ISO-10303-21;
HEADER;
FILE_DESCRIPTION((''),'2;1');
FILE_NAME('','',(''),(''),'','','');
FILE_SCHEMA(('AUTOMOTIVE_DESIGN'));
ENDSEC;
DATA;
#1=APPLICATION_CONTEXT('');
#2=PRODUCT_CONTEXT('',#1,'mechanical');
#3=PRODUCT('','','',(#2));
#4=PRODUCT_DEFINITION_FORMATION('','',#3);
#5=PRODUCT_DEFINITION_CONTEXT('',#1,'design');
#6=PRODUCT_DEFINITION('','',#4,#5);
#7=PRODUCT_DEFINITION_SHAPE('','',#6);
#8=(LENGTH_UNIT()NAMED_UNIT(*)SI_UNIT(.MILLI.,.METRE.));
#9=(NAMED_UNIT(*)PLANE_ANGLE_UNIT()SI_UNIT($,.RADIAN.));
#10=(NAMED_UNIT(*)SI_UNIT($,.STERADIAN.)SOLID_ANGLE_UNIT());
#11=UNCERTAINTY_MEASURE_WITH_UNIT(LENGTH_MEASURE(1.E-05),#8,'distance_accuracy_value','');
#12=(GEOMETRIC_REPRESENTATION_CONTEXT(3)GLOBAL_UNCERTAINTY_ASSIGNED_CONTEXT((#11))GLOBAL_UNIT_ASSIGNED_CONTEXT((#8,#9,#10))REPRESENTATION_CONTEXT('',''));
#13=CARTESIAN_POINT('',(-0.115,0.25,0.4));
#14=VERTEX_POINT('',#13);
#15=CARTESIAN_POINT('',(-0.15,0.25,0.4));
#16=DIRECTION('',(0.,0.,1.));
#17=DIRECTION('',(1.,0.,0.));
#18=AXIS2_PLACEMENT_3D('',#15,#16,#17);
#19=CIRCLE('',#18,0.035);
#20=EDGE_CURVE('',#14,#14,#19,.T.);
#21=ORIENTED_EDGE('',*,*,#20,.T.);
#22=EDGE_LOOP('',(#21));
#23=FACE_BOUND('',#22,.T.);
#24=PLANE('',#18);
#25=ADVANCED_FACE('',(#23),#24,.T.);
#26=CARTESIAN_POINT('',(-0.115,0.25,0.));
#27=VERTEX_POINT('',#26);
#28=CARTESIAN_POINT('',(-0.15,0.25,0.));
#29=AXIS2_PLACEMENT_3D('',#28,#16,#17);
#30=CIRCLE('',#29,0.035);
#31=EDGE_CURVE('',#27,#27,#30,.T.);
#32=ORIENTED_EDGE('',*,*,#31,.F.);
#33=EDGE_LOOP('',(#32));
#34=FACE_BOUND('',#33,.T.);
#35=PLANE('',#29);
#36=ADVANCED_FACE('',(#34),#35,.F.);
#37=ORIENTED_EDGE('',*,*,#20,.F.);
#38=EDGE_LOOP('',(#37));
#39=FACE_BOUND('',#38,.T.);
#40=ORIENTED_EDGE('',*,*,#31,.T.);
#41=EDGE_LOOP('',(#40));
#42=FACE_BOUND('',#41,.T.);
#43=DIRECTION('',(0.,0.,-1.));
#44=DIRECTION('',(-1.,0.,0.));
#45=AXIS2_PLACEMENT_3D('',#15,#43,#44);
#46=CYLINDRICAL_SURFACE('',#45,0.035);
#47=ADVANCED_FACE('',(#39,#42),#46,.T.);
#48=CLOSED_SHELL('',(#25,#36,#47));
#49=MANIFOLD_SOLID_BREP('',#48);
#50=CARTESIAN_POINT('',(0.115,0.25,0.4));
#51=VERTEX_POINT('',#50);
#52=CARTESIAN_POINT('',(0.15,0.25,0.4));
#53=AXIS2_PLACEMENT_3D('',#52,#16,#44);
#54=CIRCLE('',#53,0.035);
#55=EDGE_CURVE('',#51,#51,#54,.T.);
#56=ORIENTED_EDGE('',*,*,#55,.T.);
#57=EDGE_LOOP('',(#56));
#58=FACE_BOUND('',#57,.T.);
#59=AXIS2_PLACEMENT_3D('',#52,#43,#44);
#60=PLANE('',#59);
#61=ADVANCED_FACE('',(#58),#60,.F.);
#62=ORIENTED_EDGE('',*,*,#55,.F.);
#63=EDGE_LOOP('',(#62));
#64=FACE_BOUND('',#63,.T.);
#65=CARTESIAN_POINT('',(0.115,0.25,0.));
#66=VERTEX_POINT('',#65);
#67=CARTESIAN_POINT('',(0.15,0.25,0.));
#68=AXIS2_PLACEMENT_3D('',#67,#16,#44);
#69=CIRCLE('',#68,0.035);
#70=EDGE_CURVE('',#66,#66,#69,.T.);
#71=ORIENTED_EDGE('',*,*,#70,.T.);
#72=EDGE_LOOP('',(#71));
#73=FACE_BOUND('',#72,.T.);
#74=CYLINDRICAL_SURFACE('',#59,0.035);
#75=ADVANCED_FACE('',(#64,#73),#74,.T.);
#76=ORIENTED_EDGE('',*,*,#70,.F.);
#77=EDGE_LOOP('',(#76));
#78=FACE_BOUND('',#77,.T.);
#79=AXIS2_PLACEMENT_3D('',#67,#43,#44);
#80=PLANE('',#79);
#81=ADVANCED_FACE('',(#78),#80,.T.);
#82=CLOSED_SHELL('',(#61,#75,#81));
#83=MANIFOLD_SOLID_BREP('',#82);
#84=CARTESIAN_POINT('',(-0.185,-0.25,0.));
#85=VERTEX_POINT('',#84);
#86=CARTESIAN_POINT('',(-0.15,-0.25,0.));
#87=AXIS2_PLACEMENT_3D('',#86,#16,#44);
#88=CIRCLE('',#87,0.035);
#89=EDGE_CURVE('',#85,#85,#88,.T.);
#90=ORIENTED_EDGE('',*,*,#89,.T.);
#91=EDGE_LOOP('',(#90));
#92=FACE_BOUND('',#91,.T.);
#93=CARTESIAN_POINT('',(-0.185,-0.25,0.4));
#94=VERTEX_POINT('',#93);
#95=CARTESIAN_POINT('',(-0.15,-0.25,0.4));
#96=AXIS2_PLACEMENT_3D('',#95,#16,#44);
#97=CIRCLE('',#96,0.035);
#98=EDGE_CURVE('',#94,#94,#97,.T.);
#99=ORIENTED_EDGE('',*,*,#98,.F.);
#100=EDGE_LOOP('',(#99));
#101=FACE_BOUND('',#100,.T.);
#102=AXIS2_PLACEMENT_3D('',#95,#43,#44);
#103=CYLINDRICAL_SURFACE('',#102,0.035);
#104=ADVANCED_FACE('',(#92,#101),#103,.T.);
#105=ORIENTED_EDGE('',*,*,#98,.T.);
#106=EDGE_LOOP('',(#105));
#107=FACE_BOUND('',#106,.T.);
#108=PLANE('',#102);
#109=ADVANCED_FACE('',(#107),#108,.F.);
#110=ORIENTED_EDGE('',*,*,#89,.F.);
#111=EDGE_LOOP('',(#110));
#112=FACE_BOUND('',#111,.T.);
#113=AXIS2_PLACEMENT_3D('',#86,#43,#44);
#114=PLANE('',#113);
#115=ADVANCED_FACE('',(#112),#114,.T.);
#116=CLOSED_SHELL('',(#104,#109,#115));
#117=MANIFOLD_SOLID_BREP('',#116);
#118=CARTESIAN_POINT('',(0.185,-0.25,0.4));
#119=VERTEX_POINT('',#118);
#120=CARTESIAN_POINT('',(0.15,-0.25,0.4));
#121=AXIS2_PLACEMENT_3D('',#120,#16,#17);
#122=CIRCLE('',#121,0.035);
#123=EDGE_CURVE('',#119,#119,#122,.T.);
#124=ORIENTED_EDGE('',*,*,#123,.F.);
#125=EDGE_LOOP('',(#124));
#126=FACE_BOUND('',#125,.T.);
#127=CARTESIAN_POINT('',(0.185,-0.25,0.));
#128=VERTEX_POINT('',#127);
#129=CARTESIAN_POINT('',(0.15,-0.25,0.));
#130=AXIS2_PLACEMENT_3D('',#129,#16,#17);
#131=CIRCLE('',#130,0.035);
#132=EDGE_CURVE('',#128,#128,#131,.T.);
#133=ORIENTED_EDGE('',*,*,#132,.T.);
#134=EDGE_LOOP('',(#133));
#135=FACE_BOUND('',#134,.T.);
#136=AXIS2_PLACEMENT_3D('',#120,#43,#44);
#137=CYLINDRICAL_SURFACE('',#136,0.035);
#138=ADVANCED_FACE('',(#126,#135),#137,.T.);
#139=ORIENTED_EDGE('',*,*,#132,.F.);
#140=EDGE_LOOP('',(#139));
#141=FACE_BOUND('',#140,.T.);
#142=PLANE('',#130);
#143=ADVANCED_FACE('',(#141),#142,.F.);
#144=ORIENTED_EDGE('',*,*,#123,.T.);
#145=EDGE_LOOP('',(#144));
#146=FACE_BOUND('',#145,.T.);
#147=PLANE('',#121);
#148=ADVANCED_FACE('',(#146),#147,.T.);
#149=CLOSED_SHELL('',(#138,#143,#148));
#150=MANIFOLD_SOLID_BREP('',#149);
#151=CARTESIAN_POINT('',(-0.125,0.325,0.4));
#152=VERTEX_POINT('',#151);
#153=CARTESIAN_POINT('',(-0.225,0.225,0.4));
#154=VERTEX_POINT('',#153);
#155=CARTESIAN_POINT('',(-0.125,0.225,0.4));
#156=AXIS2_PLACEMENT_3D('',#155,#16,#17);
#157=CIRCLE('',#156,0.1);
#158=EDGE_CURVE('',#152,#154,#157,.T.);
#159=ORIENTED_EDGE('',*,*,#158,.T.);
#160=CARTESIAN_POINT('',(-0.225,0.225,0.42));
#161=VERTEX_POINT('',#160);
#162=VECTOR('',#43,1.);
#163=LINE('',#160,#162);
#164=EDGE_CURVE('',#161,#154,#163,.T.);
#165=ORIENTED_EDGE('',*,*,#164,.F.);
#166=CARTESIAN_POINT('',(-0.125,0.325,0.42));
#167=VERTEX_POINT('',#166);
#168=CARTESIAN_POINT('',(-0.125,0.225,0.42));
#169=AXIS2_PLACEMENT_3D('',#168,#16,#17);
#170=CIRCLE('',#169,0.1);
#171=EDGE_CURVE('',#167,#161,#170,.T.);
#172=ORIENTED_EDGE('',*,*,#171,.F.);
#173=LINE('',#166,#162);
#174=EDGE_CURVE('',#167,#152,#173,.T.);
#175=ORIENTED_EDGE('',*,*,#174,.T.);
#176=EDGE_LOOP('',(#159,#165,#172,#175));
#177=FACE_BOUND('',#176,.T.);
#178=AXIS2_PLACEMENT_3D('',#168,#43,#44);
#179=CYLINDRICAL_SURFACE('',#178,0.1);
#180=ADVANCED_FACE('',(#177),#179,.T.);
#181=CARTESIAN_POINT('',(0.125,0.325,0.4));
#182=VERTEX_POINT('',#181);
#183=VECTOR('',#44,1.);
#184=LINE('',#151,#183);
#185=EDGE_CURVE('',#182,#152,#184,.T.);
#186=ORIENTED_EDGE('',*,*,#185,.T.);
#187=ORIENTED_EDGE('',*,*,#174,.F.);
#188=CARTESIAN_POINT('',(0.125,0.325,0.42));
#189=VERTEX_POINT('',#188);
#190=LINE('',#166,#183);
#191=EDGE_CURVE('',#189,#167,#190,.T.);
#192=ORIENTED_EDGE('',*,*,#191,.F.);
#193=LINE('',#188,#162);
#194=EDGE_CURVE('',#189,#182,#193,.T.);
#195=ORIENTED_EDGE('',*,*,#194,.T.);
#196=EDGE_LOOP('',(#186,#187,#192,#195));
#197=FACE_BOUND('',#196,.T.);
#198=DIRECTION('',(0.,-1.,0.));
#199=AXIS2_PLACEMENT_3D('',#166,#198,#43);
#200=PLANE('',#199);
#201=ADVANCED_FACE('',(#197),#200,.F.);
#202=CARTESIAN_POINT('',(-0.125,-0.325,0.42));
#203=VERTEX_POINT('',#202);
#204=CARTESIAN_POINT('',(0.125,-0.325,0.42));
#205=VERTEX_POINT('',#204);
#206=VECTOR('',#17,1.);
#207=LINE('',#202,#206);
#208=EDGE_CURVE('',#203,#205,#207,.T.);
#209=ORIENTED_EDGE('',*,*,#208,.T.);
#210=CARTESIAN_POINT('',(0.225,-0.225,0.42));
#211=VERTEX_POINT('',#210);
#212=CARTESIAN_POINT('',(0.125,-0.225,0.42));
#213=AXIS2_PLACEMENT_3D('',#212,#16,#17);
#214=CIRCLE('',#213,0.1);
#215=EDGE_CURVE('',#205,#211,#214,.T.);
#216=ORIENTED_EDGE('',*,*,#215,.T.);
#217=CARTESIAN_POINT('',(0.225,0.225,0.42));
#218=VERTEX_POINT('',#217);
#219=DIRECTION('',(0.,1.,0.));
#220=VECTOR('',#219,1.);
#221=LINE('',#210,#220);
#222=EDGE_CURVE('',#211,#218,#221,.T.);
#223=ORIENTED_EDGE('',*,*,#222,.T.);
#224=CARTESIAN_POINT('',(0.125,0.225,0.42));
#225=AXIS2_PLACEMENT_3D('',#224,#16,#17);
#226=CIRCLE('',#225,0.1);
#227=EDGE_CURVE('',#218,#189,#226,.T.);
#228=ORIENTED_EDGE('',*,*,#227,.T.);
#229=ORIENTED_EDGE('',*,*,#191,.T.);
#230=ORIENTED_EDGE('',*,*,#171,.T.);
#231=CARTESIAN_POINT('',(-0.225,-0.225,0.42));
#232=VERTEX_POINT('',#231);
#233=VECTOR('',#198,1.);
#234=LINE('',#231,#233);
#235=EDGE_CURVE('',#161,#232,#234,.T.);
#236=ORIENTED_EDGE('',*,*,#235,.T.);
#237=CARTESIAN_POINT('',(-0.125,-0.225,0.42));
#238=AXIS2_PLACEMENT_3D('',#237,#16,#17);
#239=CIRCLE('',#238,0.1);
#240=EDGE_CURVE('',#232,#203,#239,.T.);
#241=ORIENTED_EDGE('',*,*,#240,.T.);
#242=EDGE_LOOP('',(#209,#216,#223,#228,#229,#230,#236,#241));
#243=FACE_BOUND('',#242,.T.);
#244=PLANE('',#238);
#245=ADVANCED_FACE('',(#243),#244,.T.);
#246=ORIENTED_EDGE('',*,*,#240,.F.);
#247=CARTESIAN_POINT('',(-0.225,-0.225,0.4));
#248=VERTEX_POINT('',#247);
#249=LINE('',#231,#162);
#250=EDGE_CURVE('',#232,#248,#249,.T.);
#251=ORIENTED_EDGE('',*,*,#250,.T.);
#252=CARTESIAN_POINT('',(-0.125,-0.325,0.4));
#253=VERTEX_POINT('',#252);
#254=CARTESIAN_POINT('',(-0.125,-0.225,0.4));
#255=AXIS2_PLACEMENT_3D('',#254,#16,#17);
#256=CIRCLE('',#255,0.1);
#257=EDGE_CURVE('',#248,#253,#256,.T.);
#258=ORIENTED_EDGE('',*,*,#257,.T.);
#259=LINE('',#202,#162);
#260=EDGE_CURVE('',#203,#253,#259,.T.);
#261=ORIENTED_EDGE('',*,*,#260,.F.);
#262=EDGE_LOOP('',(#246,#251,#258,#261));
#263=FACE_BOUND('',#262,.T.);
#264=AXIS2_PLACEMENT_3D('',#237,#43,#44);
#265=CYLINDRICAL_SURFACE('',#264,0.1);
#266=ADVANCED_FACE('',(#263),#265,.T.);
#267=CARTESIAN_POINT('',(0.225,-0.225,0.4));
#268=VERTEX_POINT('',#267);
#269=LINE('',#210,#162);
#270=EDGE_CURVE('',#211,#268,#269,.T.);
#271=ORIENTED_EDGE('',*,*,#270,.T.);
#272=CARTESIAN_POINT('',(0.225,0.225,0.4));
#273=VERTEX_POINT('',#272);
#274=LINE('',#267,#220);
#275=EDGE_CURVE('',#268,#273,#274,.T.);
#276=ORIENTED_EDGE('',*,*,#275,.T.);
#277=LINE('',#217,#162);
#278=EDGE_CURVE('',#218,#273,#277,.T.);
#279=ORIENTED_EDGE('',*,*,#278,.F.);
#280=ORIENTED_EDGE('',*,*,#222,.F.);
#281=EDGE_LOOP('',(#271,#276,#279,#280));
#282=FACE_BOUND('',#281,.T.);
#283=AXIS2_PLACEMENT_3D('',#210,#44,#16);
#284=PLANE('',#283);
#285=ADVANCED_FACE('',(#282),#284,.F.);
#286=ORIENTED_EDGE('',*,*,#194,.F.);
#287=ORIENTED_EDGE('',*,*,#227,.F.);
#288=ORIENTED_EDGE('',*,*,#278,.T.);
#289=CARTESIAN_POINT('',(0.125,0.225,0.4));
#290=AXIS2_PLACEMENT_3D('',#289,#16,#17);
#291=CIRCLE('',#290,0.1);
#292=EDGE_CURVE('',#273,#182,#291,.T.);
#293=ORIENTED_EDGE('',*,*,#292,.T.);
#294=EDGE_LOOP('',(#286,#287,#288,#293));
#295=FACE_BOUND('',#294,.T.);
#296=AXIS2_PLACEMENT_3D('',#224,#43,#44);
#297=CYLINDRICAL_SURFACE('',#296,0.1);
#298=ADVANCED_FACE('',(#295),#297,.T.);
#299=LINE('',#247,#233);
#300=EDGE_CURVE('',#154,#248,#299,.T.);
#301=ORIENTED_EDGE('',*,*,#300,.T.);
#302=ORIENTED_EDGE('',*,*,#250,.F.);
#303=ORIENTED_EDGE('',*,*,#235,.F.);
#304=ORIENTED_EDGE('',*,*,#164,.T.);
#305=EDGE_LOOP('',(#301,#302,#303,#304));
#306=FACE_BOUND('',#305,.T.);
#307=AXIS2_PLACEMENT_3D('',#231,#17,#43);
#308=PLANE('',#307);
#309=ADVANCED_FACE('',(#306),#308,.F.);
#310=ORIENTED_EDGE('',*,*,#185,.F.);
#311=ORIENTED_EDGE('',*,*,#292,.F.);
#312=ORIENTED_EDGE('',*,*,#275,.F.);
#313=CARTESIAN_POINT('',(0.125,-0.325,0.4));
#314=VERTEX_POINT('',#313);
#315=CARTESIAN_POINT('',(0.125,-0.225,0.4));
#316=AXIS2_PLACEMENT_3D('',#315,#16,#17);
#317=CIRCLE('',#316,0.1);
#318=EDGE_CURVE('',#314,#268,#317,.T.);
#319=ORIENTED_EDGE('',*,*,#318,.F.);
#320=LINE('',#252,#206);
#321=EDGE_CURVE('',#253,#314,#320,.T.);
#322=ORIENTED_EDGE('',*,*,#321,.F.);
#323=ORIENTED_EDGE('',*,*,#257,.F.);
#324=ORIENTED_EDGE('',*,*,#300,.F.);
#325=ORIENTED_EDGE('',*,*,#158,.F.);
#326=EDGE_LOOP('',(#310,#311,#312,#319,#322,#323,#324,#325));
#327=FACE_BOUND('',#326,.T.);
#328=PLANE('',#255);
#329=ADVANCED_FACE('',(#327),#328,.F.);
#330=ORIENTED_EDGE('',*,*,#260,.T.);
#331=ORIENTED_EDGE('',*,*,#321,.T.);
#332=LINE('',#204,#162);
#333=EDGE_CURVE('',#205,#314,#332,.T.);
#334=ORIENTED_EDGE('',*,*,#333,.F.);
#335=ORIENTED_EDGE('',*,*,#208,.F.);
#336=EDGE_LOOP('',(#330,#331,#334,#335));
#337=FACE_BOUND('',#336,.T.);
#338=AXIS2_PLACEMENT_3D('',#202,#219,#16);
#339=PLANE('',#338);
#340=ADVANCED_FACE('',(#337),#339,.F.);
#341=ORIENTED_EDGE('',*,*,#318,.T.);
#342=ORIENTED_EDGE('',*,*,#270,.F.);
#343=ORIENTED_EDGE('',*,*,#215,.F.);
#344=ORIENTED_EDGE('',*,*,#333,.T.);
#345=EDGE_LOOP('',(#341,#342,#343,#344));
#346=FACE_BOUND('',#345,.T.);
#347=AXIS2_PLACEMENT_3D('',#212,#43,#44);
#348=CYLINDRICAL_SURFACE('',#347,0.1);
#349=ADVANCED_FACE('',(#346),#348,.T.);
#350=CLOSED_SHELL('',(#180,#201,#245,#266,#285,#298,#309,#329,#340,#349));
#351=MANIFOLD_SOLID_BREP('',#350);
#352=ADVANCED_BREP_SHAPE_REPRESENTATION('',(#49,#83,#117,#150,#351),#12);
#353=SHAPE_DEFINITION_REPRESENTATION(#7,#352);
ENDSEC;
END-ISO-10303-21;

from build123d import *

# Parameters (mm, degrees)
SKETCH1_R             = 0.035
BOSS_EXTRUDE1_DEPTH   = 0.4
BOSS_EXTRUDE1_2_DEPTH = 0.4
BOSS_EXTRUDE1_3_DEPTH = 0.4
BOSS_EXTRUDE1_4_DEPTH = 0.4
BOSS_EXTRUDE2_DEPTH   = 0.02


with BuildPart() as part:
    # Sketch1 → Boss-Extrude1 (new body)
    with BuildSketch(Plane.XY):
        with Locations((-0.15, 0.25)):
            Circle(SKETCH1_R)
    extrude(amount=BOSS_EXTRUDE1_DEPTH)


with BuildPart() as body_2:
    # Sketch1 → Boss-Extrude1 2 (new body)
    with BuildSketch(Plane.XY):
        with Locations((-0.15, -0.25)):
            Circle(SKETCH1_R)
    extrude(amount=BOSS_EXTRUDE1_2_DEPTH)


with BuildPart() as body_3:
    # Sketch1 → Boss-Extrude1 3 (new body)
    with BuildSketch(Plane.XY):
        with Locations((0.15, -0.25)):
            Circle(SKETCH1_R)
    extrude(amount=BOSS_EXTRUDE1_3_DEPTH)


with BuildPart() as body_4:
    # Sketch1 → Boss-Extrude1 4 (new body)
    with BuildSketch(Plane.XY):
        with Locations((0.15, 0.25)):
            Circle(SKETCH1_R)
    extrude(amount=BOSS_EXTRUDE1_4_DEPTH)


with BuildPart() as body_5:
    # Sketch2 → Boss-Extrude2 (new body)
    with BuildSketch(Plane.XY.offset(0.4)):
        with BuildLine():
            Line((-0.125, -0.325), (0.125, -0.325))
            ThreePointArc((0.125, -0.325), (0.195710678, -0.295710678), (0.225, -0.225))
            Line((0.225, -0.225), (0.225, 0.225))
            ThreePointArc((0.225, 0.225), (0.195710678, 0.295710678), (0.125, 0.325))
            Line((0.125, 0.325), (-0.125, 0.325))
            ThreePointArc((-0.125, 0.325), (-0.195710678, 0.295710678), (-0.225, 0.225))
            Line((-0.225, 0.225), (-0.225, -0.225))
            ThreePointArc((-0.225, -0.225), (-0.195710678, -0.295710678), (-0.125, -0.325))
        make_face()
    extrude(amount=BOSS_EXTRUDE2_DEPTH)


solid = Compound([part.part, body_2.part, body_3.part, body_4.part, body_5.part])
